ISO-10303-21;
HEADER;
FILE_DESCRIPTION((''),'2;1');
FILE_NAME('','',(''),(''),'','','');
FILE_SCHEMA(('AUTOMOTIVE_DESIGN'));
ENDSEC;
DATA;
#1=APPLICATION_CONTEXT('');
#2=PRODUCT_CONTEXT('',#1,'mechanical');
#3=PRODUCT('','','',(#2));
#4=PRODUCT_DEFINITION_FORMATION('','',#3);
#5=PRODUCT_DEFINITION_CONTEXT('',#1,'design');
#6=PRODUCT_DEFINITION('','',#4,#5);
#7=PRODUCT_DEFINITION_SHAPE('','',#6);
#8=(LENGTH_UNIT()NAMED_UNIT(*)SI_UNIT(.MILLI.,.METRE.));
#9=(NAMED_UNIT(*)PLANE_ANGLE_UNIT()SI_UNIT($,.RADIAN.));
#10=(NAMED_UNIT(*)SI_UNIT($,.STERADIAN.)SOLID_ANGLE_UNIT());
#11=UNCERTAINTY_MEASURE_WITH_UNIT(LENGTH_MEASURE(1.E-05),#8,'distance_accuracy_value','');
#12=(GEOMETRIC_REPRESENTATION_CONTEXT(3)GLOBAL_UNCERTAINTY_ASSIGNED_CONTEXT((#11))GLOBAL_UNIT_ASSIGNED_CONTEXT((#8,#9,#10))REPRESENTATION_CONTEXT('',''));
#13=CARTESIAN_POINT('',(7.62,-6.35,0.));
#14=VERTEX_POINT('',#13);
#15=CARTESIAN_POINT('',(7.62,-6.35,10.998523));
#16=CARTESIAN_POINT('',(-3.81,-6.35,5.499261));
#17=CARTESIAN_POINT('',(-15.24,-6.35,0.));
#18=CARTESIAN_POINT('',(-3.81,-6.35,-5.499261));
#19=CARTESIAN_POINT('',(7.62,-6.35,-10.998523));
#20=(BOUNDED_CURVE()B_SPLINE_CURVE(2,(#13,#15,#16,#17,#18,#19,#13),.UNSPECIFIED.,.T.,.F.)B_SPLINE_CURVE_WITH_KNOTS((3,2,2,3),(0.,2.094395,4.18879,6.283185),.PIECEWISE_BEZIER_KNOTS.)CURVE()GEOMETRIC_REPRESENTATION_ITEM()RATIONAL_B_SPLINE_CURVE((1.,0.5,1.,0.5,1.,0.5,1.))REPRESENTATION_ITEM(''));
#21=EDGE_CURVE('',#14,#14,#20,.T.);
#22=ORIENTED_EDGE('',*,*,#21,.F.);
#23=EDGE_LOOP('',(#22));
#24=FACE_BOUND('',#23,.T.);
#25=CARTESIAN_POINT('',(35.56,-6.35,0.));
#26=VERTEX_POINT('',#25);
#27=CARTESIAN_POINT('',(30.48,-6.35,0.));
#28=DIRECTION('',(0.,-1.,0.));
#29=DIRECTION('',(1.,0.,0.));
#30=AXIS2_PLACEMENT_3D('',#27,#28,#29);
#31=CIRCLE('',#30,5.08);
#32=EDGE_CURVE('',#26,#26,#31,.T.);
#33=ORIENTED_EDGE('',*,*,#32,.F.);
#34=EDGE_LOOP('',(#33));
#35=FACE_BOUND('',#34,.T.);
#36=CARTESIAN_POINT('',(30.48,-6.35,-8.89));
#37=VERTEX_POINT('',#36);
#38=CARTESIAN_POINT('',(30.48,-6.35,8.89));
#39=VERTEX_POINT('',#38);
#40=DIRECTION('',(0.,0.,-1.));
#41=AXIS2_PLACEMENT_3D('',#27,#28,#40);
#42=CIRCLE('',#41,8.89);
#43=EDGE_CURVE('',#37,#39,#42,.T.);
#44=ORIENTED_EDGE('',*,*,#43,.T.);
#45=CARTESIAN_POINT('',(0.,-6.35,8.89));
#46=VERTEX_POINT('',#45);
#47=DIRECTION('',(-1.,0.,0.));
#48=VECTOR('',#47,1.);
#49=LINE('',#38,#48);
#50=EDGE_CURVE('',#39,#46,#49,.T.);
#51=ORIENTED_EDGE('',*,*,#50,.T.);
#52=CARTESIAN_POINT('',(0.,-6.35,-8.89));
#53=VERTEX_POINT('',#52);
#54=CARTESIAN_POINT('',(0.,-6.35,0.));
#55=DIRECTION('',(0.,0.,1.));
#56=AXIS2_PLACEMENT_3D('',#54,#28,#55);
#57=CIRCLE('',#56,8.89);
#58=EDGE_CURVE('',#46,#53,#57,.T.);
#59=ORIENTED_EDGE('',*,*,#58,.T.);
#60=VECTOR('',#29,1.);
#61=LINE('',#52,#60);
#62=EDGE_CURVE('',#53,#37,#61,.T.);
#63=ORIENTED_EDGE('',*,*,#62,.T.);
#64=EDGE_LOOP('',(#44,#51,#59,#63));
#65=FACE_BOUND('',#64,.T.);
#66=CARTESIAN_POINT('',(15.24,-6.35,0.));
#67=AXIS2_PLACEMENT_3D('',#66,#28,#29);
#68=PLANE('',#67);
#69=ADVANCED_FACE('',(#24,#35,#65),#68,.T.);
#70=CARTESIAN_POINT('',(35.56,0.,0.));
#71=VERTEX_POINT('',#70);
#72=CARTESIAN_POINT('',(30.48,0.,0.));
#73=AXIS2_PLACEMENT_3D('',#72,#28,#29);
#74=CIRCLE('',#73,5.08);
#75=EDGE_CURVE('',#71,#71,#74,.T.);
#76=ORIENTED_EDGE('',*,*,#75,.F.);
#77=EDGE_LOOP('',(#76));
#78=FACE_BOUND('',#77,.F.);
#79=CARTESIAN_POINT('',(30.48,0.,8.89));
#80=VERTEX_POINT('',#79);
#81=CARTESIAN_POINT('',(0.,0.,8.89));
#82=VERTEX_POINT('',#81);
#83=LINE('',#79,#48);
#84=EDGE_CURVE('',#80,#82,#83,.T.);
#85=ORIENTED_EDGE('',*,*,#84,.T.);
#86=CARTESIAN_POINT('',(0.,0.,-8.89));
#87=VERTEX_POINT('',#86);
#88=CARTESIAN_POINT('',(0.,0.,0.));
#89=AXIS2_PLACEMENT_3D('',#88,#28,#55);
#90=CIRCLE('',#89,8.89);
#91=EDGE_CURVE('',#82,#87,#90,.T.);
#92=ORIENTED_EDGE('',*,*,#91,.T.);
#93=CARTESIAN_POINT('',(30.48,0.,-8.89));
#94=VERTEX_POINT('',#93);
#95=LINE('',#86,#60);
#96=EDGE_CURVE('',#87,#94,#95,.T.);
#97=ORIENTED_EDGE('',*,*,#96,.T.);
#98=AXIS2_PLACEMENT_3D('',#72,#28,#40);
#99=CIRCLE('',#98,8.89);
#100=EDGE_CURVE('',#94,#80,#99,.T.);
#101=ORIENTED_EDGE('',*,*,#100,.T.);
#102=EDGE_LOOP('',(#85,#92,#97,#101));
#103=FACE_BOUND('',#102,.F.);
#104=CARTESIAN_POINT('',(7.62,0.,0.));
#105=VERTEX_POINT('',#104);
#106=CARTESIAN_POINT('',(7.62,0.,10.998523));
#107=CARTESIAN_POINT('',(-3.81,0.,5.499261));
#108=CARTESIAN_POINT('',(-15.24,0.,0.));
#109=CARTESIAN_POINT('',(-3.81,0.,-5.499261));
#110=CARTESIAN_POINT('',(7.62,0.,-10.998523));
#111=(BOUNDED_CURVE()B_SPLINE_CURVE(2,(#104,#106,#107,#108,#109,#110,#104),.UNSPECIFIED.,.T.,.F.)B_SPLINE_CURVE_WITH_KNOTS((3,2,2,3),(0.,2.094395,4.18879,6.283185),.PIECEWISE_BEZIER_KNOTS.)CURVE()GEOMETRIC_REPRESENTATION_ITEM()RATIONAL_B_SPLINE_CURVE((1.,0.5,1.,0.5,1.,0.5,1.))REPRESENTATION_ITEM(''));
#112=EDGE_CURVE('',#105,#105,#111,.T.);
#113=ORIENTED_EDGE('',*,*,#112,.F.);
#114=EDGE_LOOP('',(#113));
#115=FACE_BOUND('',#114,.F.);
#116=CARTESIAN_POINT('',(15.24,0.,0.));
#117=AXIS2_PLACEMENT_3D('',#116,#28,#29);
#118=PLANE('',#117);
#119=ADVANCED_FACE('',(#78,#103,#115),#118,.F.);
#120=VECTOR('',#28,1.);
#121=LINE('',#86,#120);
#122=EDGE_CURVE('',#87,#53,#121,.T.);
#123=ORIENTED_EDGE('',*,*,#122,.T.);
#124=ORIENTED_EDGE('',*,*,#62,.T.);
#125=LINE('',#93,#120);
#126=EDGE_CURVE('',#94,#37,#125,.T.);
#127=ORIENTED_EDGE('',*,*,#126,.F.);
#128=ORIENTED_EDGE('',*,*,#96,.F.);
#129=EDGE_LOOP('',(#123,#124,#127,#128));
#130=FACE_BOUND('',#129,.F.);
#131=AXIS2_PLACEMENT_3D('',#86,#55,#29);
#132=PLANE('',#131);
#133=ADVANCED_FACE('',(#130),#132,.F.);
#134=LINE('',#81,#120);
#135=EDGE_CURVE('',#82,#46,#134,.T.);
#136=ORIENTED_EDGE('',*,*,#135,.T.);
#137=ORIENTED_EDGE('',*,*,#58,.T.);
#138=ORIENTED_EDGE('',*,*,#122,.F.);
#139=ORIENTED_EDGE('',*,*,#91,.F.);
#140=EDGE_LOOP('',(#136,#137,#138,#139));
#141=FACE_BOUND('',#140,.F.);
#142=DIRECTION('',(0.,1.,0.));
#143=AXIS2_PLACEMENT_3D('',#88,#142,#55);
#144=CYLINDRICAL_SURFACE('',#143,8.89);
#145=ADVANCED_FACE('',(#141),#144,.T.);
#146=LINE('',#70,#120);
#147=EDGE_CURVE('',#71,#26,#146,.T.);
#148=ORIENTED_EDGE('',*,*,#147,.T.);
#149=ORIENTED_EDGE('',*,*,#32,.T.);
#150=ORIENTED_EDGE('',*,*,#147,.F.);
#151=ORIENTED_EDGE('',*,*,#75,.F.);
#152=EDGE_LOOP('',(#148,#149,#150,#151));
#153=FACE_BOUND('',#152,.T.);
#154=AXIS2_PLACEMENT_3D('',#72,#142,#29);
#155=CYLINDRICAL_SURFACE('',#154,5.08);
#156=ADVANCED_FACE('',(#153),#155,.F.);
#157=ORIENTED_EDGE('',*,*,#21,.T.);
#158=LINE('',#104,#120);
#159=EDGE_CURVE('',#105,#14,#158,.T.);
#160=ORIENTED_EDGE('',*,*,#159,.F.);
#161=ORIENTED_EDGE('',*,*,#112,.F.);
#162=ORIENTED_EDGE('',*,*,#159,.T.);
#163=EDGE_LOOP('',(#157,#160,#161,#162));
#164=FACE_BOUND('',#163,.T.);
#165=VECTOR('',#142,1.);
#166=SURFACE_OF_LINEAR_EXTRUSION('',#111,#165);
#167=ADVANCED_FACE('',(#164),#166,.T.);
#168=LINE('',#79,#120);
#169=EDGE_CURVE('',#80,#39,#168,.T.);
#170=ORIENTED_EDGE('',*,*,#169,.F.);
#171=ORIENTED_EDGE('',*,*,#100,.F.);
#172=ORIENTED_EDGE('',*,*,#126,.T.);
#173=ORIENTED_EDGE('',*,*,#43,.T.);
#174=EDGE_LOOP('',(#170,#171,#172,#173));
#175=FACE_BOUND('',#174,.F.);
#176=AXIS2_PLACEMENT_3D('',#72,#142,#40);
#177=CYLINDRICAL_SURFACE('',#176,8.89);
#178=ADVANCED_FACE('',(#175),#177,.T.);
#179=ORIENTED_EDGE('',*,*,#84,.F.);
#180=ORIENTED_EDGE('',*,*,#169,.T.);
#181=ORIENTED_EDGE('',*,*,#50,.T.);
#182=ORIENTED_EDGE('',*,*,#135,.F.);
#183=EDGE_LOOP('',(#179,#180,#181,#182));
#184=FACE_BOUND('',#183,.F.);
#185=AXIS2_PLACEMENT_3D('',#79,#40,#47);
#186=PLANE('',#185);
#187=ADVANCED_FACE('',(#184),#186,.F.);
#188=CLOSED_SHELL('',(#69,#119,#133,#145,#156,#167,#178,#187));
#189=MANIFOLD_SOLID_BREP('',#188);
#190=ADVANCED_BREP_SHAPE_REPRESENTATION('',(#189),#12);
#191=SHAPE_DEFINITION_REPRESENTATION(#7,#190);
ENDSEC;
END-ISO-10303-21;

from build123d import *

# Parameters (mm, degrees)
F0_R     = 5.08
F1_DEPTH = 6.35


with BuildPart() as f1:
    # F0 (on Front) → F1 (new body)
    with BuildSketch(Plane.XZ):
        with BuildLine():
            Line((30.48, 8.89), (0, 8.89))
            ThreePointArc((0, 8.89), (-8.89, 0), (0, -8.89))
            Line((0, -8.89), (30.48, -8.89))
            ThreePointArc((30.48, -8.89), (39.37, 0), (30.48, 8.89))
        make_face()
        with BuildLine():
            add(Edge.make_bspline(
                [(7.62, 0), (7.62, 10.998523), (-3.81, 5.499261), (-15.24, 0), (-3.81, -5.499261), (7.62, -10.998523), (7.62, 0)],
                knots=[0, 0, 0, 2.094395, 2.094395, 4.18879, 4.18879, 6.283185, 6.283185, 6.283185], degree=2, weights=[1, 0.5, 1, 0.5, 1, 0.5, 1]))
        make_face(mode=Mode.SUBTRACT)
        with Locations((30.48, 0)):
            Circle(F0_R, mode=Mode.SUBTRACT)
    extrude(amount=F1_DEPTH)


solid = f1.part
